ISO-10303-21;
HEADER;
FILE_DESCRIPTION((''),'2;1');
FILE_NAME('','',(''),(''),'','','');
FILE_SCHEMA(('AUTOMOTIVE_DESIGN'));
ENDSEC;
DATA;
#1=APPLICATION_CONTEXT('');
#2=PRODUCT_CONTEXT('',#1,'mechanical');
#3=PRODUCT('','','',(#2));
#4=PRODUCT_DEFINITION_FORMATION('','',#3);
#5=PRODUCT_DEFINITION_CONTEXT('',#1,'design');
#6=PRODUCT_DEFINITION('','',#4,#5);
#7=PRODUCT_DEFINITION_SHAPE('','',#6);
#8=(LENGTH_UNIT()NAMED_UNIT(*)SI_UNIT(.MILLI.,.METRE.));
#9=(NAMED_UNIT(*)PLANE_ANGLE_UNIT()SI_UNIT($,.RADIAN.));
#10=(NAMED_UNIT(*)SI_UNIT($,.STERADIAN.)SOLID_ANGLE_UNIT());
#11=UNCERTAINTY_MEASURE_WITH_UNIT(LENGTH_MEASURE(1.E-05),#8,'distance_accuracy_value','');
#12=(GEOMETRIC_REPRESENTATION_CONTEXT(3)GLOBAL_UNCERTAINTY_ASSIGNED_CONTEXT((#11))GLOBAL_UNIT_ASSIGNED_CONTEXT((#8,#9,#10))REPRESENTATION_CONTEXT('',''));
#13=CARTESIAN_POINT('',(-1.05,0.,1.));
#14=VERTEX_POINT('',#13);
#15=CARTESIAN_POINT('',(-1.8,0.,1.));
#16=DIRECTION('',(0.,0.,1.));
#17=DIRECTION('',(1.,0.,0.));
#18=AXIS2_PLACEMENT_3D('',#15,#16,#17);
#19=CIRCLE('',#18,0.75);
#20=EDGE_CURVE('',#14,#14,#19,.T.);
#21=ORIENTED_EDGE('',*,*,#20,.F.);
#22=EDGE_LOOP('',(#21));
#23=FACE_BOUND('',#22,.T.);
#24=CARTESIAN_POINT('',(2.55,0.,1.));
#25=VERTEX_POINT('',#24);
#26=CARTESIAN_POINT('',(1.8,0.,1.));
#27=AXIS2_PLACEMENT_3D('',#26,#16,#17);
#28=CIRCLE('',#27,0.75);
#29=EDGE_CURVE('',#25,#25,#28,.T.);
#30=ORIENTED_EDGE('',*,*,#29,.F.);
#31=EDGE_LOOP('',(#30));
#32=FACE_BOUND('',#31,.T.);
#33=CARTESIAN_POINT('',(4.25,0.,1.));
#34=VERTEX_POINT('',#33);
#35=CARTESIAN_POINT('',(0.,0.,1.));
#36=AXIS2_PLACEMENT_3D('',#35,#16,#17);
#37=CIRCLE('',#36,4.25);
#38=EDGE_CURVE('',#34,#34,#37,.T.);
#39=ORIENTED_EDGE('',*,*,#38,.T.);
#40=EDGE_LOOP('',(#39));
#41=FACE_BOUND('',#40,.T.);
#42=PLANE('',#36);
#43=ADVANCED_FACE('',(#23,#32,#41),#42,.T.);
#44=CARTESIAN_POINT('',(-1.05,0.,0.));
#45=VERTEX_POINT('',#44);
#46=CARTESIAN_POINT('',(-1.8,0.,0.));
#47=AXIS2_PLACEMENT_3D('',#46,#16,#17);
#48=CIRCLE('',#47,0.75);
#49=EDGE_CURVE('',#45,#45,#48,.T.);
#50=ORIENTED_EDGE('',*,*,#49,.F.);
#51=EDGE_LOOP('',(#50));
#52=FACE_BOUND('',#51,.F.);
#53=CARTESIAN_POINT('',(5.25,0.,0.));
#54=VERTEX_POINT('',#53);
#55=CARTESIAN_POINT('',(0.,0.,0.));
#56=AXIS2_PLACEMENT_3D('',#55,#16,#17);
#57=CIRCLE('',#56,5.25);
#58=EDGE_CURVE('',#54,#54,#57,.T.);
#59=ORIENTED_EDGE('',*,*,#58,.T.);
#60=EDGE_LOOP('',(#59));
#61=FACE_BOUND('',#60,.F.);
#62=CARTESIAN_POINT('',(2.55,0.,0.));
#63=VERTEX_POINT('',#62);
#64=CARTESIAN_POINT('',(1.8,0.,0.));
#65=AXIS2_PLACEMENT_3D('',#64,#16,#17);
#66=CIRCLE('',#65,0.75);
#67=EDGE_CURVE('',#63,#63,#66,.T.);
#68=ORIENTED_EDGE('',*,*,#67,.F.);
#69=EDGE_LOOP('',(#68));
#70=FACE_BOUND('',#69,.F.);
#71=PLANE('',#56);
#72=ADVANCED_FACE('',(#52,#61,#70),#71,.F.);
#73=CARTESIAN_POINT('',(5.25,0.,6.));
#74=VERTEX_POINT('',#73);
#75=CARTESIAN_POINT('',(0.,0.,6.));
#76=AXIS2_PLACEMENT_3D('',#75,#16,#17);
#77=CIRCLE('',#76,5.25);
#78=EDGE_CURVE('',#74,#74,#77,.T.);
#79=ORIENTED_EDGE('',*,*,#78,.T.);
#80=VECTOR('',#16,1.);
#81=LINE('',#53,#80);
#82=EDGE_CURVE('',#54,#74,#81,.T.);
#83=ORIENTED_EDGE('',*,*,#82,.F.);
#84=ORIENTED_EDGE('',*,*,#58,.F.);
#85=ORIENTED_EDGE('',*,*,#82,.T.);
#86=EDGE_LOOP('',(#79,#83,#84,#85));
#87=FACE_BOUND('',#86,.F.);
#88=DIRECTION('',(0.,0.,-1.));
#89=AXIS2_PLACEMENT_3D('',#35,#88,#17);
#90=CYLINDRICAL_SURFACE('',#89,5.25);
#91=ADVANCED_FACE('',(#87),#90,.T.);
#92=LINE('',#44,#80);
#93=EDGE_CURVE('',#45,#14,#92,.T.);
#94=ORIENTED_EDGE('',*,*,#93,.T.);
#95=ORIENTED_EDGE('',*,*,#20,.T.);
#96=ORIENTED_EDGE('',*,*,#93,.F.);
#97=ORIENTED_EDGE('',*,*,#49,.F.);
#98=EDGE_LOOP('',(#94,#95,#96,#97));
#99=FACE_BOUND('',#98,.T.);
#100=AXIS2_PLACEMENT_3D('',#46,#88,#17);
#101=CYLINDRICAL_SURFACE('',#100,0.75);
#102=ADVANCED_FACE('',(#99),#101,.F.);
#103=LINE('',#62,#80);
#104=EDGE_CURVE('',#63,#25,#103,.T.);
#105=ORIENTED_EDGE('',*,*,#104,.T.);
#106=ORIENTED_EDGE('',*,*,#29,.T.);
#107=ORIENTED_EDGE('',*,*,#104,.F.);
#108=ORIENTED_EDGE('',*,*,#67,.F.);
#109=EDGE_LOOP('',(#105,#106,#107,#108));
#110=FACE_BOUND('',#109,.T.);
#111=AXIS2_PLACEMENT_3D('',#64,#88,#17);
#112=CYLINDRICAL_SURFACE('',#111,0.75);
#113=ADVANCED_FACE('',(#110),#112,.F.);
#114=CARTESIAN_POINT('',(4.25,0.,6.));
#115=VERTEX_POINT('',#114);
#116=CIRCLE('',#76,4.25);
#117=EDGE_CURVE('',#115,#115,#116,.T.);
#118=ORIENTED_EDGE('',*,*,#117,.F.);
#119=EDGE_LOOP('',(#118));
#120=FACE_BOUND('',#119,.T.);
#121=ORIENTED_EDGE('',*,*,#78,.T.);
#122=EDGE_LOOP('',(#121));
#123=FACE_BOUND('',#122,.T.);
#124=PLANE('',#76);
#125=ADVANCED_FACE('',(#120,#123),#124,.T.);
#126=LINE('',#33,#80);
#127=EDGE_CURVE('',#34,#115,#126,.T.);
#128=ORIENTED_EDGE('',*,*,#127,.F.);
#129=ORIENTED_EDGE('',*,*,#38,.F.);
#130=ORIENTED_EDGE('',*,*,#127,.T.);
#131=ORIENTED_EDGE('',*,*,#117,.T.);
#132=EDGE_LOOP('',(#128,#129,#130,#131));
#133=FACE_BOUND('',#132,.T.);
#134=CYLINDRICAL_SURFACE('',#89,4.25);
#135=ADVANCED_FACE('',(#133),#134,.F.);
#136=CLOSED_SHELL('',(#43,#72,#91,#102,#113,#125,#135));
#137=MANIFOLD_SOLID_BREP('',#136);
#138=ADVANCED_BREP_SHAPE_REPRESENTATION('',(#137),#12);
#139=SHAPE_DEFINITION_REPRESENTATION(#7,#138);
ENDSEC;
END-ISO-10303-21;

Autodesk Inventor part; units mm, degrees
ref_plane "YZ Plane" through (0, 0, 0) normal (1, 0, 0) x (0, 1, 0)
ref_plane "XZ Plane" through (0, 0, 0) normal (0, 1, 0) x (-1, 0, 0)
ref_plane "XY Plane" through (0, 0, 0) normal (0, 0, 1) x (1, 0, 0)
sketch "Эскиз1" plane through (0, 0, 0) normal (0, 0, 1) x (1, 0, 0)
  circle A0 centre (0, 0) radius 4.25
  line L0 (-1.8, 0) -> (1.8, 0) construction
  circle A1 centre (-1.8, 0) radius 0.75
  circle A2 centre (1.8, 0) radius 0.75
  circle A3 centre (0, 0) radius 5.25
  dimension "d0" = 8.5
  dimension "d1" = 3.6
  dimension "d2" = 1.5
  dimension "d3" = 1.5
  dimension "d4" = 1
extrude "Выдавливание1" add sketch "Эскиз1" along normal blind 1 contours A0 | A3
extrude "Выдавливание2" add sketch "Эскиз1" along normal blind 5 from surface at 1 contours A3
properties part number "El_Cap_Support"
